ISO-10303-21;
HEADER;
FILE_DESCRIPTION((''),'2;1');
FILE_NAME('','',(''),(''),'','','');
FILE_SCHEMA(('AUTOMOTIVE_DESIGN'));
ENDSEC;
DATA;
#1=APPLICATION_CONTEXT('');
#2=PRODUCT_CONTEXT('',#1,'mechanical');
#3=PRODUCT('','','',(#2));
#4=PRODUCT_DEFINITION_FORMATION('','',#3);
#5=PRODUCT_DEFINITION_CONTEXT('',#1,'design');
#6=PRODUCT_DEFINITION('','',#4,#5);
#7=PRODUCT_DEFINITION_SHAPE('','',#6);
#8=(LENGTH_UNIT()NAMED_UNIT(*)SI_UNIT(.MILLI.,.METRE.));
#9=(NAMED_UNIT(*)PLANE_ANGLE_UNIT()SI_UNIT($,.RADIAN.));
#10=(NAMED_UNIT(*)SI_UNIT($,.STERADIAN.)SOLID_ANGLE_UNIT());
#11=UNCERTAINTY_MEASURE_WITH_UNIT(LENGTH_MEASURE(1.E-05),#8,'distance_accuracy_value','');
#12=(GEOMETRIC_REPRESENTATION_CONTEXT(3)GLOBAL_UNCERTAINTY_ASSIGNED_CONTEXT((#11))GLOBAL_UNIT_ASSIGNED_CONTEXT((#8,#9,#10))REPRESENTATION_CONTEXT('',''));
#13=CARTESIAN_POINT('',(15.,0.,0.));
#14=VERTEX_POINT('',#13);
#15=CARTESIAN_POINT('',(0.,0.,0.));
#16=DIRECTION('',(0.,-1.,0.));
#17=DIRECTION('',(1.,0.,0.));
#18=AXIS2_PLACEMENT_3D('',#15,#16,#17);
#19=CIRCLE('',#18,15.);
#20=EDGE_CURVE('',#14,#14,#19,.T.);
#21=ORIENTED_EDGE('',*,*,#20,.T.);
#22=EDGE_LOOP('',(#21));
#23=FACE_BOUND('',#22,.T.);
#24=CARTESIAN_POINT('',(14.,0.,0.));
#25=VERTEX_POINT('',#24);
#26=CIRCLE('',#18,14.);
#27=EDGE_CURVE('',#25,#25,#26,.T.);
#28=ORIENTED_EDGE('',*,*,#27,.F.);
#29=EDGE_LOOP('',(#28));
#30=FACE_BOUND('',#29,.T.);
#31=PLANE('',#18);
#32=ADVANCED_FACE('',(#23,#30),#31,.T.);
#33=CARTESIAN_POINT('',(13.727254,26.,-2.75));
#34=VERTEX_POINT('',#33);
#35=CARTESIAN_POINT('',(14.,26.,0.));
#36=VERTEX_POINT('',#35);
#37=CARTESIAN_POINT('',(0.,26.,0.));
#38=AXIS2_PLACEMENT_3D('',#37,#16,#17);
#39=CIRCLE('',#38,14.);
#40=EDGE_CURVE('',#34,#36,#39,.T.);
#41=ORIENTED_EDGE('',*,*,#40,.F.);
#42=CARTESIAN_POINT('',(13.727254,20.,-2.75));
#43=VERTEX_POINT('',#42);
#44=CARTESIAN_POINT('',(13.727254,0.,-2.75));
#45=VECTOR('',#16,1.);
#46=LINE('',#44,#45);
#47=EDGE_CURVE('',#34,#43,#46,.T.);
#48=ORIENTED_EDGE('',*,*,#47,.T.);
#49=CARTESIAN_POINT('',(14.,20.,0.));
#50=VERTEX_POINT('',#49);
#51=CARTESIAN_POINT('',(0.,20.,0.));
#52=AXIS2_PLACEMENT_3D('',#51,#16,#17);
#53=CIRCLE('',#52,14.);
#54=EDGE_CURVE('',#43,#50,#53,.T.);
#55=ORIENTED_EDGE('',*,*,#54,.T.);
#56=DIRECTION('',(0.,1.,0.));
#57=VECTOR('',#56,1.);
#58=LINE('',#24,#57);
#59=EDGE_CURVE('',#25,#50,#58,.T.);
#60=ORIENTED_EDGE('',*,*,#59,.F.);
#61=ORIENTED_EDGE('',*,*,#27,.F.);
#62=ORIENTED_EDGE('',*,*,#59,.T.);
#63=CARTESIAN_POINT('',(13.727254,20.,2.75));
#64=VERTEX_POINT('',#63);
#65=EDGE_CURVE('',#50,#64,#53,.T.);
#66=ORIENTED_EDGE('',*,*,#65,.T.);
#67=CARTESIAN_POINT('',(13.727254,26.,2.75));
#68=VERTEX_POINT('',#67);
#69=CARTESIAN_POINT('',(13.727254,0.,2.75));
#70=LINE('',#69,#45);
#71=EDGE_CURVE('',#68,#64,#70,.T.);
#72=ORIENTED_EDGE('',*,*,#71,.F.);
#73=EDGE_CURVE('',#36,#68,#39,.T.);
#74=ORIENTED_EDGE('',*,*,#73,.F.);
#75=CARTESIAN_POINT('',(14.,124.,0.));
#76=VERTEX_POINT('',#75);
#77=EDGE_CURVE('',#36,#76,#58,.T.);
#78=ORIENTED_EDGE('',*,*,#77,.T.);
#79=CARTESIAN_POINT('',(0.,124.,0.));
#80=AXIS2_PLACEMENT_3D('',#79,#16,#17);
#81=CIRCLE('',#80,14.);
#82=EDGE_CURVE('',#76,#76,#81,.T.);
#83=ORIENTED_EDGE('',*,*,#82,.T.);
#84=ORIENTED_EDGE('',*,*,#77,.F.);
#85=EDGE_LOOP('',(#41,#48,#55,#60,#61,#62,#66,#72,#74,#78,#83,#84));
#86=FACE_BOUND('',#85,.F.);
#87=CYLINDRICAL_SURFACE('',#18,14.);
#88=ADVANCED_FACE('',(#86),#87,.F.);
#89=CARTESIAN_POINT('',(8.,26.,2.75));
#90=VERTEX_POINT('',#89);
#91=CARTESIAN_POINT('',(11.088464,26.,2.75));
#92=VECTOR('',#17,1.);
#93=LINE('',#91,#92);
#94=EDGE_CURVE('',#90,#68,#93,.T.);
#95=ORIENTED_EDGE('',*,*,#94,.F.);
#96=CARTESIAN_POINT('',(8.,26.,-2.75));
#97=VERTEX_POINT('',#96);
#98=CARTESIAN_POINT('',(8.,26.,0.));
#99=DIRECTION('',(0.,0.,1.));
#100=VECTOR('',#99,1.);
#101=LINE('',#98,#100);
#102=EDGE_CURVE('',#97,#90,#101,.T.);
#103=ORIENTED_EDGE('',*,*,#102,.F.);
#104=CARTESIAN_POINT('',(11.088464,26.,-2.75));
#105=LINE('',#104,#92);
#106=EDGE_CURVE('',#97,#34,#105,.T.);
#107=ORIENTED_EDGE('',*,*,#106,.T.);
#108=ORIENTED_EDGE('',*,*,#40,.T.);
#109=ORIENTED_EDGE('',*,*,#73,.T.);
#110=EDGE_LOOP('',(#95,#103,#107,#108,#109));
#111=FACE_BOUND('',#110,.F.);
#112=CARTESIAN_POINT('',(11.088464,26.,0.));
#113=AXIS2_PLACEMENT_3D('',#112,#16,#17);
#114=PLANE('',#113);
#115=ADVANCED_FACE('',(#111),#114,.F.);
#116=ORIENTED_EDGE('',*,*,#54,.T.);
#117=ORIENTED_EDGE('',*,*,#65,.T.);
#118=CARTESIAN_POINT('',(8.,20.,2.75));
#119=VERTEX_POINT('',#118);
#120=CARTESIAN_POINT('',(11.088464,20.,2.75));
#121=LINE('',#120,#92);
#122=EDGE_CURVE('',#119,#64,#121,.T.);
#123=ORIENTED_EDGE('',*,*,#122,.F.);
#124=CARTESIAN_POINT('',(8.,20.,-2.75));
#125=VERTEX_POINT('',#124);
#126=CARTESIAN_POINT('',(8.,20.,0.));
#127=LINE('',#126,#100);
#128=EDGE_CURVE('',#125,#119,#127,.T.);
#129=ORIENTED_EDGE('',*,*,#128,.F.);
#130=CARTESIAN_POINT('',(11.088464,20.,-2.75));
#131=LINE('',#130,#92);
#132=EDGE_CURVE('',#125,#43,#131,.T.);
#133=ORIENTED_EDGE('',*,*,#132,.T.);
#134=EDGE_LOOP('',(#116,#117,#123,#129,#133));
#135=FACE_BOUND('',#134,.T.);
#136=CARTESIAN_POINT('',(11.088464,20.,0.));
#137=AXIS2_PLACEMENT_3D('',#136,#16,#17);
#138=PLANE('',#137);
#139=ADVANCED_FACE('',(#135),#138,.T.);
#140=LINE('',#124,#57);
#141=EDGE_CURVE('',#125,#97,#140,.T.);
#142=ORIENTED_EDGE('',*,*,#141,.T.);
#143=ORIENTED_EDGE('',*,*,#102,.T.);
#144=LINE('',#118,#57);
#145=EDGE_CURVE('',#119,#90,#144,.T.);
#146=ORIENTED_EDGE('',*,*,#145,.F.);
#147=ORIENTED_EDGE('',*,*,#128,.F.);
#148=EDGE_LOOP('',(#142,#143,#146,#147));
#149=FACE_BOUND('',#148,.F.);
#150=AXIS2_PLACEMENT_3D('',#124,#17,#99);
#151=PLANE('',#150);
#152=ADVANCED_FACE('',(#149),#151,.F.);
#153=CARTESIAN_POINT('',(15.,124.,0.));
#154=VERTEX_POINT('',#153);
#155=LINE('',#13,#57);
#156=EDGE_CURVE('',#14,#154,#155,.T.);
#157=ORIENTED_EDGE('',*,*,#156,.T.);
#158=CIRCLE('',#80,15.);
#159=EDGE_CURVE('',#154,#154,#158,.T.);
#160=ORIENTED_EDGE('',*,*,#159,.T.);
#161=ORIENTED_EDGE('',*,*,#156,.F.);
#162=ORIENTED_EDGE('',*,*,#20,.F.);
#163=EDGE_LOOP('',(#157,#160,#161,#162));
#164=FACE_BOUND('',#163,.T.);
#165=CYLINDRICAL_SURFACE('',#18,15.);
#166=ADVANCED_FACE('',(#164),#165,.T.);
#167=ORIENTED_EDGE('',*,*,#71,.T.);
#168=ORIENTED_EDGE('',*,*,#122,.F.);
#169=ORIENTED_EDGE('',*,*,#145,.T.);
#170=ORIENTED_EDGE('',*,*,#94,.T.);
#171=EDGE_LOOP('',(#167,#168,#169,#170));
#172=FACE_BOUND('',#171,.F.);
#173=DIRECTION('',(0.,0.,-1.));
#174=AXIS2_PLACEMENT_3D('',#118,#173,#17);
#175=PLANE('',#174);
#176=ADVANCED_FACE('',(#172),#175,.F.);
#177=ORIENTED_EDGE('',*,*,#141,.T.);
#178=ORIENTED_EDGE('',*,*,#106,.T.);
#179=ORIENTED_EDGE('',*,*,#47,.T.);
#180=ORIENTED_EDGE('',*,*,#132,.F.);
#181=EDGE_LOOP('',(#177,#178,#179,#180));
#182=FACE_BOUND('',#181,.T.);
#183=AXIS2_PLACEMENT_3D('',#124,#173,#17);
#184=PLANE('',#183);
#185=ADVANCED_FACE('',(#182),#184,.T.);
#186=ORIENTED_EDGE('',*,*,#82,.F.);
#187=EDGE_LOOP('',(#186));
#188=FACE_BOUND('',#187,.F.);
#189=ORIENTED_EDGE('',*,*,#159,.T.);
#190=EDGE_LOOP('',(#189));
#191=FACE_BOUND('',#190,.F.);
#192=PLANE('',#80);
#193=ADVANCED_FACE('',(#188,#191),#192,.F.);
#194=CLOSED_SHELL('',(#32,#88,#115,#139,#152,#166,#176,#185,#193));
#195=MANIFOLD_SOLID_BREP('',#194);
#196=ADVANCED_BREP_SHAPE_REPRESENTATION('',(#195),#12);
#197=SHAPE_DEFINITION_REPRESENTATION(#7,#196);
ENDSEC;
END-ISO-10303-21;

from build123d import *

# Parameters (mm, degrees)
F0_R     = 15
F0_R_2   = 14
F1_DEPTH = 124
F3_W     = 6.176928
F3_H     = 5.5
F4_DEPTH = 6


with BuildPart() as f1:
    # F0 (on Front) → F1 (new body)
    with BuildSketch(Plane.XZ):
        Circle(F0_R)
        Circle(F0_R_2, mode=Mode.SUBTRACT)
    extrude(amount=-F1_DEPTH)

    # F3 (on offset) → F4 (join)
    with BuildSketch(Plane.XZ.offset(-20)):
        with Locations((11.088464, 0)):
            Rectangle(F3_W, F3_H)
    extrude(amount=-F4_DEPTH)


solid = f1.part
